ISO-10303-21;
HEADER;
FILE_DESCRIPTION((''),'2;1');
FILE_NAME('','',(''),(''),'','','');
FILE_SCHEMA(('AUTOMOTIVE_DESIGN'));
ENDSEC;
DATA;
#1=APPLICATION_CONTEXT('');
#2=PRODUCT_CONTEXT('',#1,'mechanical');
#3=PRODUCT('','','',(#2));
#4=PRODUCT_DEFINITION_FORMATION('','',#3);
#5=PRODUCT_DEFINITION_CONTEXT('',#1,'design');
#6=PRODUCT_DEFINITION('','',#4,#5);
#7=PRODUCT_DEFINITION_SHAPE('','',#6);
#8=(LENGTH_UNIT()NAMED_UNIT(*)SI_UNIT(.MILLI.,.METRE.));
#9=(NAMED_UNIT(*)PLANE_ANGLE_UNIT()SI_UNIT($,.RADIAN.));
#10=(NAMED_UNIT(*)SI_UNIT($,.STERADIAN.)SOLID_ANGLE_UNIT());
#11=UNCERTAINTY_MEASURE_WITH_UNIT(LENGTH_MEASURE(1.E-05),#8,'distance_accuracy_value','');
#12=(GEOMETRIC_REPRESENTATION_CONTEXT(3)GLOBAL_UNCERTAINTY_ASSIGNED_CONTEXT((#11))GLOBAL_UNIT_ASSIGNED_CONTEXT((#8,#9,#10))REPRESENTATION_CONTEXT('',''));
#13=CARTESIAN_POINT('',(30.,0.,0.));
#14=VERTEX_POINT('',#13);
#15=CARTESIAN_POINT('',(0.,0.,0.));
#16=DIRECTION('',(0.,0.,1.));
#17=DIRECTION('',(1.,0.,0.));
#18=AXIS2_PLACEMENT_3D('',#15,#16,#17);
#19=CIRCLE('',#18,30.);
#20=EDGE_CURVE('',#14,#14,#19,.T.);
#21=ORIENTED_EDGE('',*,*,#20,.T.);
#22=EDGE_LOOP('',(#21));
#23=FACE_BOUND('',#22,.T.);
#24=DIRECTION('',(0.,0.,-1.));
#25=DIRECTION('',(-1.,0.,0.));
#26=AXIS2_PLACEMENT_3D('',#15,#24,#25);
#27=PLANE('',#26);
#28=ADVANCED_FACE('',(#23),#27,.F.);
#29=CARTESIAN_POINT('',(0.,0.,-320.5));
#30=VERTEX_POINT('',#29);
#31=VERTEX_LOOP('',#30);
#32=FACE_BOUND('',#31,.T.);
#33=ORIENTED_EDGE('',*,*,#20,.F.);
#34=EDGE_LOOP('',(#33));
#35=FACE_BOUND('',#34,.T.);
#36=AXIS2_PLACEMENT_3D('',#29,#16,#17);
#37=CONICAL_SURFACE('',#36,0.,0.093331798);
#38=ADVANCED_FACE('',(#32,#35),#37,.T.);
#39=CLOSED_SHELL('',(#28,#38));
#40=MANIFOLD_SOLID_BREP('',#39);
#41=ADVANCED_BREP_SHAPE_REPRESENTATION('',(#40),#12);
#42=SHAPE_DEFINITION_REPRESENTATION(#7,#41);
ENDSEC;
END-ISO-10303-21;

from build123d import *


with BuildPart() as part:
    # Sketch1 → Revolve1 (revolve)
    with BuildSketch(Plane(origin=(0, 0, 0), x_dir=(1, 0, 0), z_dir=(0, 1, 0)), mode=Mode.PRIVATE) as revolve1_sk:
        Polygon((0, 0), (-30, 0), (0, 320.5), align=None)
    revolve(revolve1_sk.sketch.rotate(Axis((0, 0, 33.992998997), (0, 0, -1)), 180), axis=Axis((0, 0, 33.992998997), (0, 0, -1)))


solid = part.part
